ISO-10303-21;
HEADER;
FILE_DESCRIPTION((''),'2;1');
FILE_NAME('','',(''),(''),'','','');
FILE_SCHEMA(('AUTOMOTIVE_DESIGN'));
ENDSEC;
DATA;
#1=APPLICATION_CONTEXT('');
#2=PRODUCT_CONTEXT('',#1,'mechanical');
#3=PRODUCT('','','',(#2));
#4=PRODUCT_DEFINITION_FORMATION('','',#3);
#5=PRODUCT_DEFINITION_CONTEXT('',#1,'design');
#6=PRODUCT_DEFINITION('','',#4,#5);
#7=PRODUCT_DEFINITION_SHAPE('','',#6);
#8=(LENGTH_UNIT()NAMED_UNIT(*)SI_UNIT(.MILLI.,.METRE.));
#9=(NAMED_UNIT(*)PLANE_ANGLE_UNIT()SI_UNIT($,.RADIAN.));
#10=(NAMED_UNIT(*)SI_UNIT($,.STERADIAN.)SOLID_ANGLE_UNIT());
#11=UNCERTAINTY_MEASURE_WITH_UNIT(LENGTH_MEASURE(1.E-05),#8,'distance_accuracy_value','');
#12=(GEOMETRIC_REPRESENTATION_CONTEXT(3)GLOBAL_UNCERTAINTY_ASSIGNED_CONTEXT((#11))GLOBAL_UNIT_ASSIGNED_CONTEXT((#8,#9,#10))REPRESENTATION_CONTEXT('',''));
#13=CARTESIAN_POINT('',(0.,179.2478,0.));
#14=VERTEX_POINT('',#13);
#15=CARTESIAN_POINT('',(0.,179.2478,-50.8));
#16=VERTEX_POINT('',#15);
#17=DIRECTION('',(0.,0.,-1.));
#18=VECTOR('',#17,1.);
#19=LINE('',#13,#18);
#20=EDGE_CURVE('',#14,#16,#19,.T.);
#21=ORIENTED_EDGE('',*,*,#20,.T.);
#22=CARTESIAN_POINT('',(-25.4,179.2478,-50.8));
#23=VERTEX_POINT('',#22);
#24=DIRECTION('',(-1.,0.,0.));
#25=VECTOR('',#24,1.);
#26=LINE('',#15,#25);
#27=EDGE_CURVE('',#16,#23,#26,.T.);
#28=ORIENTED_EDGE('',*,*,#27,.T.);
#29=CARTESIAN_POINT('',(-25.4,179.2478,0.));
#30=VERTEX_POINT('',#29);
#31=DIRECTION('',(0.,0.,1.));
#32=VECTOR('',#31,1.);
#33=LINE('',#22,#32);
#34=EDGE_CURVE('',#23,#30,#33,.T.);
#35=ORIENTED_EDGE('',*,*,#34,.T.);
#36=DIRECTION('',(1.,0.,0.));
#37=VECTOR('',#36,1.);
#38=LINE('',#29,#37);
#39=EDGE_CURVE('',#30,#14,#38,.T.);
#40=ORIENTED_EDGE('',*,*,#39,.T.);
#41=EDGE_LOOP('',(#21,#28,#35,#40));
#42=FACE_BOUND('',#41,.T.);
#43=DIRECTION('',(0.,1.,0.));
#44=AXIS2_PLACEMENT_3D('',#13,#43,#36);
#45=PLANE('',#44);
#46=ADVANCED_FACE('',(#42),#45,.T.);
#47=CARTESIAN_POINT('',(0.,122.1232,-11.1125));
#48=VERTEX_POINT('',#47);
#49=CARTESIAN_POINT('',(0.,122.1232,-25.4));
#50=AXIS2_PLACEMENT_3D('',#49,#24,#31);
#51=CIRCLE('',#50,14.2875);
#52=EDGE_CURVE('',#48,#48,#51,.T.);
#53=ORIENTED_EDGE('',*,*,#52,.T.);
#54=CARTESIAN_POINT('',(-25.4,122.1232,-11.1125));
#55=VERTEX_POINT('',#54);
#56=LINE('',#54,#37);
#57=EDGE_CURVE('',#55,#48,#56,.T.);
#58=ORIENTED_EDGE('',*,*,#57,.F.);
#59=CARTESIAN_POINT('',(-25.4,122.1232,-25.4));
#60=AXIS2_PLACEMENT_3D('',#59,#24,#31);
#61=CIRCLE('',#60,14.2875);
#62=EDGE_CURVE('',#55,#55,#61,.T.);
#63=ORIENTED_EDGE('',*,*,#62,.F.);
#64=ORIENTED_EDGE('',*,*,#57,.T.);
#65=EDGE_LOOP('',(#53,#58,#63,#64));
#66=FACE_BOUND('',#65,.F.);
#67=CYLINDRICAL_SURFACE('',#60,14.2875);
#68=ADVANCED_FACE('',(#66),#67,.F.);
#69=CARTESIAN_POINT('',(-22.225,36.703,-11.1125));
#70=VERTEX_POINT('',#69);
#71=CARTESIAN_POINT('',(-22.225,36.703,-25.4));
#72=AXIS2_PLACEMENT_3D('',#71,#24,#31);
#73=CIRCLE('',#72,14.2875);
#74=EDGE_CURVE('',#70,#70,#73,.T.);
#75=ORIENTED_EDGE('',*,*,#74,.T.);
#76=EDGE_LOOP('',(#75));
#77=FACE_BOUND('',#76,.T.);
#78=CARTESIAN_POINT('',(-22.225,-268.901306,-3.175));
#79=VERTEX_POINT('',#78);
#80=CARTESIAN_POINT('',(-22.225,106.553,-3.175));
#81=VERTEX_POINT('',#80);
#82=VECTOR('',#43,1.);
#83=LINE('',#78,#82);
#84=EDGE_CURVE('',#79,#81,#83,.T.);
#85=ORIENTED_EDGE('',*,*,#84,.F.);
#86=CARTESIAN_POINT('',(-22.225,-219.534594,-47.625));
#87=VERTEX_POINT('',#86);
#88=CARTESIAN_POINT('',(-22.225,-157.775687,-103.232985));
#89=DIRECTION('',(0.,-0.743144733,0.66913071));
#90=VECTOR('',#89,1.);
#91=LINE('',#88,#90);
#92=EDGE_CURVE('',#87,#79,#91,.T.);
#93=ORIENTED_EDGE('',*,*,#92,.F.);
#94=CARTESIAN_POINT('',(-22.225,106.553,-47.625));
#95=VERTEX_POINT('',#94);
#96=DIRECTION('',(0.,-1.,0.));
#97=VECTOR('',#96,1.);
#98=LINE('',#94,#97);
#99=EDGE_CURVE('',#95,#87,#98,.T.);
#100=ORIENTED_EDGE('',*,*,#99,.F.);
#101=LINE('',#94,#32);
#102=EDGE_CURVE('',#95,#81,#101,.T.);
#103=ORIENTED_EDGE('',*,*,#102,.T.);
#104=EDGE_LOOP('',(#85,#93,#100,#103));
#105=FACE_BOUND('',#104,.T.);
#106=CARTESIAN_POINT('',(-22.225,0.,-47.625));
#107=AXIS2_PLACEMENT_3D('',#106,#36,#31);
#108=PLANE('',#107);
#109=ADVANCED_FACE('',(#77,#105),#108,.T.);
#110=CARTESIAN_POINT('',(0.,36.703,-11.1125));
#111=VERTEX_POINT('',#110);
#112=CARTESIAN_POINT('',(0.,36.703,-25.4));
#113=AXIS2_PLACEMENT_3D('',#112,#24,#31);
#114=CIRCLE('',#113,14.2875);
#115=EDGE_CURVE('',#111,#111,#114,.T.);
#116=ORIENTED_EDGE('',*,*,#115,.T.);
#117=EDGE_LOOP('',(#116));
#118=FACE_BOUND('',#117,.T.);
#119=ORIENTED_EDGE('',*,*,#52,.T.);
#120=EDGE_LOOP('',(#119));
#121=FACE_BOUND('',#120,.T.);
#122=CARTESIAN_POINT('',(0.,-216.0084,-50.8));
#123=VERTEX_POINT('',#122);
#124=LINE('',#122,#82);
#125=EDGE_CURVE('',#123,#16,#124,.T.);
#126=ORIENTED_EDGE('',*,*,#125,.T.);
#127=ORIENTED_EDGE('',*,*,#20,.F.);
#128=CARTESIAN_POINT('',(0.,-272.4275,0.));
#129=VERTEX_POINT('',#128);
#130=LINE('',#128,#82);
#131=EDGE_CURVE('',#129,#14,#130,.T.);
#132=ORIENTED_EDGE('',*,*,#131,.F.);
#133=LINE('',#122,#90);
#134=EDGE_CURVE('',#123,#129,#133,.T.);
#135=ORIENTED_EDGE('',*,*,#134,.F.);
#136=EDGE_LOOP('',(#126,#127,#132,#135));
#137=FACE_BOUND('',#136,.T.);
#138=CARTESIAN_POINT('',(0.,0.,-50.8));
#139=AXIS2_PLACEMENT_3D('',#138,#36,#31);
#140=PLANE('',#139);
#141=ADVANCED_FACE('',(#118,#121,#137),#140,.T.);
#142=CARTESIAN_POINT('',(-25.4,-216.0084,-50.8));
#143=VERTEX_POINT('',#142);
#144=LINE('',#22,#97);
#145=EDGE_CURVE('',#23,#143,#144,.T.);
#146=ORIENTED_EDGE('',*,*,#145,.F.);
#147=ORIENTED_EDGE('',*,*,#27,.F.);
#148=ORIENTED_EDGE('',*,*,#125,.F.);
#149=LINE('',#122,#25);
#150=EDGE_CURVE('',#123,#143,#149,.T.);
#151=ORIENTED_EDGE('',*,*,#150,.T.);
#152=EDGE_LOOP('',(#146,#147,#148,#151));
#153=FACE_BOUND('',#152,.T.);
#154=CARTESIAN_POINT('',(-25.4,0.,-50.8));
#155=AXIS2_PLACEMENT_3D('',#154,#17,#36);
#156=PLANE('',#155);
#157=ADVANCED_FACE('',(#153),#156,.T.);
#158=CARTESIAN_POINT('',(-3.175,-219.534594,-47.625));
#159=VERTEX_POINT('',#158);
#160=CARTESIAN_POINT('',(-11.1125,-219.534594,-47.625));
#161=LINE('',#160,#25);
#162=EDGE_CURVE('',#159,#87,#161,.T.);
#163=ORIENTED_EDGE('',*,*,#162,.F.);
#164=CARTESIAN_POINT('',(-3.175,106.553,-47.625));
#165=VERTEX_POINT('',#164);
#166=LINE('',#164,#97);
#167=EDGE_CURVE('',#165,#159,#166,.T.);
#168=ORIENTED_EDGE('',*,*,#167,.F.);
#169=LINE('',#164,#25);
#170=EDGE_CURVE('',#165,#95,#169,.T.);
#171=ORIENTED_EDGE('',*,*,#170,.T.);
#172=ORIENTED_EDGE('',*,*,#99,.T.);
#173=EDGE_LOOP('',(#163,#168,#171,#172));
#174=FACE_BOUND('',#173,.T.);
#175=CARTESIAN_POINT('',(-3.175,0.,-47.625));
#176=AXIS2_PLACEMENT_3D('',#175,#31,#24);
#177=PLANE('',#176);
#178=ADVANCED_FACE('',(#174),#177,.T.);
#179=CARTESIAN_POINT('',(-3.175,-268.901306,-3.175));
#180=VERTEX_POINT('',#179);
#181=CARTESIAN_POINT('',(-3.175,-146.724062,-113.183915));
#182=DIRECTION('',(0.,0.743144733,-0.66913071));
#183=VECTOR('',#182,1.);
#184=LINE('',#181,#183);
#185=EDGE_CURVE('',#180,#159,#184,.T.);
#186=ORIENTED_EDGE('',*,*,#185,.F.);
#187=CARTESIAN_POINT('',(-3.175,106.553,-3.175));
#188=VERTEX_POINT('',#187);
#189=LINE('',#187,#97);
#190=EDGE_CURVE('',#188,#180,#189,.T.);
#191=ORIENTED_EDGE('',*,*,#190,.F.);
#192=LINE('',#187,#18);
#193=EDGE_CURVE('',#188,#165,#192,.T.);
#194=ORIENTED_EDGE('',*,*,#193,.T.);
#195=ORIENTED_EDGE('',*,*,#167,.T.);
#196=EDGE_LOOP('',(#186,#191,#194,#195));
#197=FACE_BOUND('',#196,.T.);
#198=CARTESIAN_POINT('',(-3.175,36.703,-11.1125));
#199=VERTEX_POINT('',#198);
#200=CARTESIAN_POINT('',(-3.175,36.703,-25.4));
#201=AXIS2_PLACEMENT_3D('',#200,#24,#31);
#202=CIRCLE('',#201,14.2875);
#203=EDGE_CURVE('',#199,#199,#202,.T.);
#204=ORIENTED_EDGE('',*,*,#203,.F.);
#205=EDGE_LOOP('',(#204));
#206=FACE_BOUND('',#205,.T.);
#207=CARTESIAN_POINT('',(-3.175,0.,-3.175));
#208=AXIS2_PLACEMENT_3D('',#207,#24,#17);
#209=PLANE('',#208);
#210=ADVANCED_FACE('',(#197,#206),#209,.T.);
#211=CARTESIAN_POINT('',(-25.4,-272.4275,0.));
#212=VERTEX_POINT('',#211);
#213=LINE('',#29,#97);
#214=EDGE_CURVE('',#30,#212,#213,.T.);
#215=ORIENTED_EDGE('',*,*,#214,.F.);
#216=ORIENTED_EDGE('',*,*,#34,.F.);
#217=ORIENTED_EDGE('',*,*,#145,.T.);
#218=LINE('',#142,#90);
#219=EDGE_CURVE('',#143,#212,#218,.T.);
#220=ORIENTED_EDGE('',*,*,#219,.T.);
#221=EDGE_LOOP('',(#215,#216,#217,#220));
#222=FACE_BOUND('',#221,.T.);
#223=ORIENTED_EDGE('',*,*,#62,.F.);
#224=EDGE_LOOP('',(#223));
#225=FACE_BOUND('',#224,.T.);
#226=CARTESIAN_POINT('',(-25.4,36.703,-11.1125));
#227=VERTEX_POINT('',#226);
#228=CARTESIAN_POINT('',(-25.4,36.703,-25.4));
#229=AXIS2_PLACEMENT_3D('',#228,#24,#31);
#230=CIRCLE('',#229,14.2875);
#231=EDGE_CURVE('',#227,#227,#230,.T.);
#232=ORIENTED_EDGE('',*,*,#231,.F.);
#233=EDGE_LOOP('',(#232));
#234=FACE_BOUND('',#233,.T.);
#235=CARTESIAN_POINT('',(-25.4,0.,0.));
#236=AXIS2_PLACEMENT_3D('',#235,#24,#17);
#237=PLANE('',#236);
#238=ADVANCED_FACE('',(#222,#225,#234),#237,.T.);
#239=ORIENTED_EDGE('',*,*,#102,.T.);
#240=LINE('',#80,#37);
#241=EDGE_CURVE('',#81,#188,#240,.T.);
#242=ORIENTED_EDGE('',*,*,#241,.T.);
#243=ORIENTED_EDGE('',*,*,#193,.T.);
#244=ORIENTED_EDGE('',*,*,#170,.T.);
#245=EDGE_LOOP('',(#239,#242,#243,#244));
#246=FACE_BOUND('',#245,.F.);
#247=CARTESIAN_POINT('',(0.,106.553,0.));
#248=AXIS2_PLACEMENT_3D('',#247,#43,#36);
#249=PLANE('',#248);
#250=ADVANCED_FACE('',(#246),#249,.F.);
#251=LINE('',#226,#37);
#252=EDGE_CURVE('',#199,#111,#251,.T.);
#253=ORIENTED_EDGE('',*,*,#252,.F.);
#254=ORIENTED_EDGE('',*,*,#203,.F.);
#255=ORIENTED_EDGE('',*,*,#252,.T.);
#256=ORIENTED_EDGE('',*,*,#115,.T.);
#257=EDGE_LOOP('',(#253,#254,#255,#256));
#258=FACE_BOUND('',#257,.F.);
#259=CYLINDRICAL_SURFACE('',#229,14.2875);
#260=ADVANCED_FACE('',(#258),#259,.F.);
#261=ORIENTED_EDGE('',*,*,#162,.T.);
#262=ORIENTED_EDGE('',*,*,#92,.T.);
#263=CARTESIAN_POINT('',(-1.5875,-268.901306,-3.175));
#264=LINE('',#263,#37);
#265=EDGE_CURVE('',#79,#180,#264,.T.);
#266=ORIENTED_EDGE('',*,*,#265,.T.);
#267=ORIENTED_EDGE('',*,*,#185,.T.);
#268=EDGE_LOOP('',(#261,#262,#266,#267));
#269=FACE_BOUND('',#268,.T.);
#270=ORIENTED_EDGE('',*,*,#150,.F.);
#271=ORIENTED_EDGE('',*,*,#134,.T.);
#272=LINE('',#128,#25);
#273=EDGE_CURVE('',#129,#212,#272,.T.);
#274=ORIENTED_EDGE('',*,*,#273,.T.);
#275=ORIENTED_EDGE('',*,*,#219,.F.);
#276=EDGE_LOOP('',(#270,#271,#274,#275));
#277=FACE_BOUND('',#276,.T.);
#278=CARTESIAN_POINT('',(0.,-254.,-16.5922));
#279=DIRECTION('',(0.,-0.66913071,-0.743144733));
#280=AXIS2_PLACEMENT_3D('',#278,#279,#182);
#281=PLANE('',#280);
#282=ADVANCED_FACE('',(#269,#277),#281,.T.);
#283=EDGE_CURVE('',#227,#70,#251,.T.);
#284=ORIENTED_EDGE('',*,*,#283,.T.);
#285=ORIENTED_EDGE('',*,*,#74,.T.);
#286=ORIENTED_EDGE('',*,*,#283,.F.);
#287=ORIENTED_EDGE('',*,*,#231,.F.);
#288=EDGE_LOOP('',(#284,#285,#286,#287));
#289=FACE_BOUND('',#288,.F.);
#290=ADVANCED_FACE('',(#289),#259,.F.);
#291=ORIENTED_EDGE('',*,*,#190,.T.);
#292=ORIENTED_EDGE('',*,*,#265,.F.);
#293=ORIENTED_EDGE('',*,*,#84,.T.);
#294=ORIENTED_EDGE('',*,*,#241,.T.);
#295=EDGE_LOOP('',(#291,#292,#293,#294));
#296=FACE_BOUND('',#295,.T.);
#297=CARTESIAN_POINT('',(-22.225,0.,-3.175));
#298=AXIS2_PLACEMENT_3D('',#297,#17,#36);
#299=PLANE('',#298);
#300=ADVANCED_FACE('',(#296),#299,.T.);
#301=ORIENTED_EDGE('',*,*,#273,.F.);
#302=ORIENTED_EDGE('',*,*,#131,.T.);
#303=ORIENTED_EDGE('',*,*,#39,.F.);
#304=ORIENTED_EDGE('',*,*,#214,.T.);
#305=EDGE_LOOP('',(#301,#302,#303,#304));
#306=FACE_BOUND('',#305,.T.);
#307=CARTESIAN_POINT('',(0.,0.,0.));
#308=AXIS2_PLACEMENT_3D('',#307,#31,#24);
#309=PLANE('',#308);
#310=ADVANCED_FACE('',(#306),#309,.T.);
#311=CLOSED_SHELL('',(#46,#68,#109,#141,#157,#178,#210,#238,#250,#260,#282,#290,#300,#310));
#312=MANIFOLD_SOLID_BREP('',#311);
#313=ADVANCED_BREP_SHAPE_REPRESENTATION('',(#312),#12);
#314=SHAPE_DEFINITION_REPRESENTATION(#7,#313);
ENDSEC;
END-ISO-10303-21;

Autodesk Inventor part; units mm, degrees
ref_plane "YZ Plane" through (0, 0, 0) normal (1, 0, 0) x (0, 1, 0)
ref_plane "XZ Plane" through (0, 0, 0) normal (0, 1, 0) x (-1, 0, 0)
ref_plane "XY Plane" through (0, 0, 0) normal (0, 0, 1) x (1, 0, 0)
sketch "Sketch1" plane through (0, 0, 0) normal (0, 1, 0) x (-1, 0, 0)
  line L0 (0, 0) -> (25.4, 0)
  line L1 (25.4, 0) -> (25.4, -50.8)
  line L2 (25.4, -50.8) -> (0, -50.8)
  line L3 (0, -50.8) -> (0, 0)
  line L4 (22.225, -3.175) -> (3.175, -3.175)
  line L5 (3.175, -3.175) -> (3.175, -47.625)
  line L6 (3.175, -47.625) -> (22.225, -47.625)
  line L7 (22.225, -47.625) -> (22.225, -3.175)
  dimension "d0" = 25.4
  dimension "d1" = 50.8
  dimension "d2" = 3.175
extrude "Extrusion1" add sketch "Sketch1" along normal blind 106.553
sketch "Sketch4" plane through (0, 0, 0) normal (0, -1, 0) x (1, 0, 0)
  line L0 (-22.225, -47.625) -> (-22.225, -3.175) projected
  line L1 (-22.225, -3.175) -> (-3.175, -3.175) projected
  line L2 (-3.175, -3.175) -> (-3.175, -47.625) projected
  line L3 (-3.175, -47.625) -> (-22.225, -47.625) projected
  line L4 (0, 0) -> (-25.4, 0) projected
  line L5 (-25.4, 0) -> (-25.4, -50.8) projected
  line L6 (-25.4, -50.8) -> (0, -50.8) projected
  line L7 (0, -50.8) -> (0, 0) projected
extrude "Extrusion2" add sketch "Sketch4" along normal blind 254
sketch "Sketch5" plane through (0, 106.553, 0) normal (1, 0, 0) x (0, 0, -1)
  line L0 (50.8, 0) -> (50.8, -360.553) projected
  line L1 (0, 0) -> (50.8, 0) projected
  line L2 (0, -360.553) -> (0, 0) projected
  line L3 (50.8, -360.553) -> (0, -360.553) projected
  line L4 (0, -360.553) -> (23.3209, -360.553)
  line L5 (0, -360.553) -> (50.8, -360.553) projected
  line L6 (0, -360.553) -> (9.2137, -369.7667)
  line L7 (0, -360.553) -> (9.2137, -360.553)
  line L8 (9.2137, -360.553) -> (9.2137, -369.7667)
  line L9 (9.2137, -369.7667) -> (0, -369.7667)
  line L10 (0, -369.7667) -> (0, -360.553)
  line L11 (0, -369.7667) -> (0, -378.9805)
  line L12 (0, -378.9805) -> (50.8, -322.5614)
  line L13 (50.8, 0) -> (50.8, -360.553) projected
  line L14 (50.8, -322.5614) -> (0, -322.5614)
  line L15 (0, -322.5614) -> (0, -378.9805)
  line L16 (0, -378.9805) -> (50.8, -378.9805)
  line L17 (50.8, -378.9805) -> (50.8, -322.5614)
  point P0 (0, -106.553)
  dimension "d22" = 13.0302
  dimension "d23" = 45
  dimension "d24" = 48
extrude "Extrusion3" add sketch "Sketch5" against normal blind 25.4 contours L12 L3 L2 L14 | L12 L8 L3 | L8 L12 L6 L3 | L6 L12 L9 L10 | L11 L9 L12
extrude "Extrusion4" cut sketch "Sketch5" against normal blind 25.4 contours L0 L3 L12 | L17 L16 L12 L9 L8 L3 | L8 L6 L12 | L9 L12 L6
sketch "Sketch6" plane through (0, 106.553, 0) normal (0, 1, 0) x (1, 0, 0)
  line L0 (-22.225, 3.175) -> (-22.225, 47.625) projected
  line L1 (-3.175, 3.175) -> (-22.225, 3.175) projected
  line L2 (-3.175, 47.625) -> (-3.175, 3.175) projected
  line L3 (-22.225, 47.625) -> (-3.175, 47.625) projected
  point P0 (0, 0)
extrude "Extrusion5" cut sketch "Sketch6" against normal through all
sketch "Sketch8" plane through (0, 106.553, 0) normal (0, 1, 0) x (1, 0, 0)
  line L0 (0, 50.8) -> (-25.4, 50.8) projected
  line L1 (-25.4, 50.8) -> (-25.4, 0) projected
  line L2 (0, 50.8) -> (-25.4, 50.8)
  line L3 (-25.4, 50.8) -> (-25.4, 0)
  line L4 (-25.4, 0) -> (0, 0)
  line L5 (0, 0) -> (0, 50.8)
  line L6 (-3.175, 47.625) -> (-22.225, 47.625)
  line L7 (-22.225, 47.625) -> (-22.225, 3.175)
  line L8 (-22.225, 3.175) -> (-3.175, 3.175)
  line L9 (-3.175, 3.175) -> (-3.175, 47.625)
  dimension "d39" = 3.175
extrude "Extrusion6" add sketch "Sketch8" along normal blind 72.6948 contours L5 L4 L1 L0 | L9 L8 L7 L6
sketch "Sketch9" plane through (-25.4, -272.4275, 0) normal (-1, 0, 0) x (0, 0, 1)
  circle A0 centre (-25.4, 394.5507) radius 14.2875
  line L0 (-50.8, 451.6753) -> (0, 451.6753) projected
  point P0 (0, 272.4275)
  point P1 (-25.4, 340.8805)
  dimension "d44" = 28.575
  dimension "d45" = 57.1246
extrude "Extrusion7" cut sketch "Sketch9" against normal blind 158.75
sketch "Sketch10" plane through (-25.4, -272.4275, 0) normal (-1, 0, 0) x (0, 0, 1)
  circle A0 centre (-25.4, 309.1305) radius 14.2875
  point P0 (0, 272.4275)
  point P1 (-25.4, 264.6805)
  dimension "d48" = 28.575
  dimension "d49" = 44.45
extrude "Extrusion8" cut sketch "Sketch10" against normal blind 158.75
properties part number "StorageSupport.ver2-1111-2021" material "Aluminum 6061"
